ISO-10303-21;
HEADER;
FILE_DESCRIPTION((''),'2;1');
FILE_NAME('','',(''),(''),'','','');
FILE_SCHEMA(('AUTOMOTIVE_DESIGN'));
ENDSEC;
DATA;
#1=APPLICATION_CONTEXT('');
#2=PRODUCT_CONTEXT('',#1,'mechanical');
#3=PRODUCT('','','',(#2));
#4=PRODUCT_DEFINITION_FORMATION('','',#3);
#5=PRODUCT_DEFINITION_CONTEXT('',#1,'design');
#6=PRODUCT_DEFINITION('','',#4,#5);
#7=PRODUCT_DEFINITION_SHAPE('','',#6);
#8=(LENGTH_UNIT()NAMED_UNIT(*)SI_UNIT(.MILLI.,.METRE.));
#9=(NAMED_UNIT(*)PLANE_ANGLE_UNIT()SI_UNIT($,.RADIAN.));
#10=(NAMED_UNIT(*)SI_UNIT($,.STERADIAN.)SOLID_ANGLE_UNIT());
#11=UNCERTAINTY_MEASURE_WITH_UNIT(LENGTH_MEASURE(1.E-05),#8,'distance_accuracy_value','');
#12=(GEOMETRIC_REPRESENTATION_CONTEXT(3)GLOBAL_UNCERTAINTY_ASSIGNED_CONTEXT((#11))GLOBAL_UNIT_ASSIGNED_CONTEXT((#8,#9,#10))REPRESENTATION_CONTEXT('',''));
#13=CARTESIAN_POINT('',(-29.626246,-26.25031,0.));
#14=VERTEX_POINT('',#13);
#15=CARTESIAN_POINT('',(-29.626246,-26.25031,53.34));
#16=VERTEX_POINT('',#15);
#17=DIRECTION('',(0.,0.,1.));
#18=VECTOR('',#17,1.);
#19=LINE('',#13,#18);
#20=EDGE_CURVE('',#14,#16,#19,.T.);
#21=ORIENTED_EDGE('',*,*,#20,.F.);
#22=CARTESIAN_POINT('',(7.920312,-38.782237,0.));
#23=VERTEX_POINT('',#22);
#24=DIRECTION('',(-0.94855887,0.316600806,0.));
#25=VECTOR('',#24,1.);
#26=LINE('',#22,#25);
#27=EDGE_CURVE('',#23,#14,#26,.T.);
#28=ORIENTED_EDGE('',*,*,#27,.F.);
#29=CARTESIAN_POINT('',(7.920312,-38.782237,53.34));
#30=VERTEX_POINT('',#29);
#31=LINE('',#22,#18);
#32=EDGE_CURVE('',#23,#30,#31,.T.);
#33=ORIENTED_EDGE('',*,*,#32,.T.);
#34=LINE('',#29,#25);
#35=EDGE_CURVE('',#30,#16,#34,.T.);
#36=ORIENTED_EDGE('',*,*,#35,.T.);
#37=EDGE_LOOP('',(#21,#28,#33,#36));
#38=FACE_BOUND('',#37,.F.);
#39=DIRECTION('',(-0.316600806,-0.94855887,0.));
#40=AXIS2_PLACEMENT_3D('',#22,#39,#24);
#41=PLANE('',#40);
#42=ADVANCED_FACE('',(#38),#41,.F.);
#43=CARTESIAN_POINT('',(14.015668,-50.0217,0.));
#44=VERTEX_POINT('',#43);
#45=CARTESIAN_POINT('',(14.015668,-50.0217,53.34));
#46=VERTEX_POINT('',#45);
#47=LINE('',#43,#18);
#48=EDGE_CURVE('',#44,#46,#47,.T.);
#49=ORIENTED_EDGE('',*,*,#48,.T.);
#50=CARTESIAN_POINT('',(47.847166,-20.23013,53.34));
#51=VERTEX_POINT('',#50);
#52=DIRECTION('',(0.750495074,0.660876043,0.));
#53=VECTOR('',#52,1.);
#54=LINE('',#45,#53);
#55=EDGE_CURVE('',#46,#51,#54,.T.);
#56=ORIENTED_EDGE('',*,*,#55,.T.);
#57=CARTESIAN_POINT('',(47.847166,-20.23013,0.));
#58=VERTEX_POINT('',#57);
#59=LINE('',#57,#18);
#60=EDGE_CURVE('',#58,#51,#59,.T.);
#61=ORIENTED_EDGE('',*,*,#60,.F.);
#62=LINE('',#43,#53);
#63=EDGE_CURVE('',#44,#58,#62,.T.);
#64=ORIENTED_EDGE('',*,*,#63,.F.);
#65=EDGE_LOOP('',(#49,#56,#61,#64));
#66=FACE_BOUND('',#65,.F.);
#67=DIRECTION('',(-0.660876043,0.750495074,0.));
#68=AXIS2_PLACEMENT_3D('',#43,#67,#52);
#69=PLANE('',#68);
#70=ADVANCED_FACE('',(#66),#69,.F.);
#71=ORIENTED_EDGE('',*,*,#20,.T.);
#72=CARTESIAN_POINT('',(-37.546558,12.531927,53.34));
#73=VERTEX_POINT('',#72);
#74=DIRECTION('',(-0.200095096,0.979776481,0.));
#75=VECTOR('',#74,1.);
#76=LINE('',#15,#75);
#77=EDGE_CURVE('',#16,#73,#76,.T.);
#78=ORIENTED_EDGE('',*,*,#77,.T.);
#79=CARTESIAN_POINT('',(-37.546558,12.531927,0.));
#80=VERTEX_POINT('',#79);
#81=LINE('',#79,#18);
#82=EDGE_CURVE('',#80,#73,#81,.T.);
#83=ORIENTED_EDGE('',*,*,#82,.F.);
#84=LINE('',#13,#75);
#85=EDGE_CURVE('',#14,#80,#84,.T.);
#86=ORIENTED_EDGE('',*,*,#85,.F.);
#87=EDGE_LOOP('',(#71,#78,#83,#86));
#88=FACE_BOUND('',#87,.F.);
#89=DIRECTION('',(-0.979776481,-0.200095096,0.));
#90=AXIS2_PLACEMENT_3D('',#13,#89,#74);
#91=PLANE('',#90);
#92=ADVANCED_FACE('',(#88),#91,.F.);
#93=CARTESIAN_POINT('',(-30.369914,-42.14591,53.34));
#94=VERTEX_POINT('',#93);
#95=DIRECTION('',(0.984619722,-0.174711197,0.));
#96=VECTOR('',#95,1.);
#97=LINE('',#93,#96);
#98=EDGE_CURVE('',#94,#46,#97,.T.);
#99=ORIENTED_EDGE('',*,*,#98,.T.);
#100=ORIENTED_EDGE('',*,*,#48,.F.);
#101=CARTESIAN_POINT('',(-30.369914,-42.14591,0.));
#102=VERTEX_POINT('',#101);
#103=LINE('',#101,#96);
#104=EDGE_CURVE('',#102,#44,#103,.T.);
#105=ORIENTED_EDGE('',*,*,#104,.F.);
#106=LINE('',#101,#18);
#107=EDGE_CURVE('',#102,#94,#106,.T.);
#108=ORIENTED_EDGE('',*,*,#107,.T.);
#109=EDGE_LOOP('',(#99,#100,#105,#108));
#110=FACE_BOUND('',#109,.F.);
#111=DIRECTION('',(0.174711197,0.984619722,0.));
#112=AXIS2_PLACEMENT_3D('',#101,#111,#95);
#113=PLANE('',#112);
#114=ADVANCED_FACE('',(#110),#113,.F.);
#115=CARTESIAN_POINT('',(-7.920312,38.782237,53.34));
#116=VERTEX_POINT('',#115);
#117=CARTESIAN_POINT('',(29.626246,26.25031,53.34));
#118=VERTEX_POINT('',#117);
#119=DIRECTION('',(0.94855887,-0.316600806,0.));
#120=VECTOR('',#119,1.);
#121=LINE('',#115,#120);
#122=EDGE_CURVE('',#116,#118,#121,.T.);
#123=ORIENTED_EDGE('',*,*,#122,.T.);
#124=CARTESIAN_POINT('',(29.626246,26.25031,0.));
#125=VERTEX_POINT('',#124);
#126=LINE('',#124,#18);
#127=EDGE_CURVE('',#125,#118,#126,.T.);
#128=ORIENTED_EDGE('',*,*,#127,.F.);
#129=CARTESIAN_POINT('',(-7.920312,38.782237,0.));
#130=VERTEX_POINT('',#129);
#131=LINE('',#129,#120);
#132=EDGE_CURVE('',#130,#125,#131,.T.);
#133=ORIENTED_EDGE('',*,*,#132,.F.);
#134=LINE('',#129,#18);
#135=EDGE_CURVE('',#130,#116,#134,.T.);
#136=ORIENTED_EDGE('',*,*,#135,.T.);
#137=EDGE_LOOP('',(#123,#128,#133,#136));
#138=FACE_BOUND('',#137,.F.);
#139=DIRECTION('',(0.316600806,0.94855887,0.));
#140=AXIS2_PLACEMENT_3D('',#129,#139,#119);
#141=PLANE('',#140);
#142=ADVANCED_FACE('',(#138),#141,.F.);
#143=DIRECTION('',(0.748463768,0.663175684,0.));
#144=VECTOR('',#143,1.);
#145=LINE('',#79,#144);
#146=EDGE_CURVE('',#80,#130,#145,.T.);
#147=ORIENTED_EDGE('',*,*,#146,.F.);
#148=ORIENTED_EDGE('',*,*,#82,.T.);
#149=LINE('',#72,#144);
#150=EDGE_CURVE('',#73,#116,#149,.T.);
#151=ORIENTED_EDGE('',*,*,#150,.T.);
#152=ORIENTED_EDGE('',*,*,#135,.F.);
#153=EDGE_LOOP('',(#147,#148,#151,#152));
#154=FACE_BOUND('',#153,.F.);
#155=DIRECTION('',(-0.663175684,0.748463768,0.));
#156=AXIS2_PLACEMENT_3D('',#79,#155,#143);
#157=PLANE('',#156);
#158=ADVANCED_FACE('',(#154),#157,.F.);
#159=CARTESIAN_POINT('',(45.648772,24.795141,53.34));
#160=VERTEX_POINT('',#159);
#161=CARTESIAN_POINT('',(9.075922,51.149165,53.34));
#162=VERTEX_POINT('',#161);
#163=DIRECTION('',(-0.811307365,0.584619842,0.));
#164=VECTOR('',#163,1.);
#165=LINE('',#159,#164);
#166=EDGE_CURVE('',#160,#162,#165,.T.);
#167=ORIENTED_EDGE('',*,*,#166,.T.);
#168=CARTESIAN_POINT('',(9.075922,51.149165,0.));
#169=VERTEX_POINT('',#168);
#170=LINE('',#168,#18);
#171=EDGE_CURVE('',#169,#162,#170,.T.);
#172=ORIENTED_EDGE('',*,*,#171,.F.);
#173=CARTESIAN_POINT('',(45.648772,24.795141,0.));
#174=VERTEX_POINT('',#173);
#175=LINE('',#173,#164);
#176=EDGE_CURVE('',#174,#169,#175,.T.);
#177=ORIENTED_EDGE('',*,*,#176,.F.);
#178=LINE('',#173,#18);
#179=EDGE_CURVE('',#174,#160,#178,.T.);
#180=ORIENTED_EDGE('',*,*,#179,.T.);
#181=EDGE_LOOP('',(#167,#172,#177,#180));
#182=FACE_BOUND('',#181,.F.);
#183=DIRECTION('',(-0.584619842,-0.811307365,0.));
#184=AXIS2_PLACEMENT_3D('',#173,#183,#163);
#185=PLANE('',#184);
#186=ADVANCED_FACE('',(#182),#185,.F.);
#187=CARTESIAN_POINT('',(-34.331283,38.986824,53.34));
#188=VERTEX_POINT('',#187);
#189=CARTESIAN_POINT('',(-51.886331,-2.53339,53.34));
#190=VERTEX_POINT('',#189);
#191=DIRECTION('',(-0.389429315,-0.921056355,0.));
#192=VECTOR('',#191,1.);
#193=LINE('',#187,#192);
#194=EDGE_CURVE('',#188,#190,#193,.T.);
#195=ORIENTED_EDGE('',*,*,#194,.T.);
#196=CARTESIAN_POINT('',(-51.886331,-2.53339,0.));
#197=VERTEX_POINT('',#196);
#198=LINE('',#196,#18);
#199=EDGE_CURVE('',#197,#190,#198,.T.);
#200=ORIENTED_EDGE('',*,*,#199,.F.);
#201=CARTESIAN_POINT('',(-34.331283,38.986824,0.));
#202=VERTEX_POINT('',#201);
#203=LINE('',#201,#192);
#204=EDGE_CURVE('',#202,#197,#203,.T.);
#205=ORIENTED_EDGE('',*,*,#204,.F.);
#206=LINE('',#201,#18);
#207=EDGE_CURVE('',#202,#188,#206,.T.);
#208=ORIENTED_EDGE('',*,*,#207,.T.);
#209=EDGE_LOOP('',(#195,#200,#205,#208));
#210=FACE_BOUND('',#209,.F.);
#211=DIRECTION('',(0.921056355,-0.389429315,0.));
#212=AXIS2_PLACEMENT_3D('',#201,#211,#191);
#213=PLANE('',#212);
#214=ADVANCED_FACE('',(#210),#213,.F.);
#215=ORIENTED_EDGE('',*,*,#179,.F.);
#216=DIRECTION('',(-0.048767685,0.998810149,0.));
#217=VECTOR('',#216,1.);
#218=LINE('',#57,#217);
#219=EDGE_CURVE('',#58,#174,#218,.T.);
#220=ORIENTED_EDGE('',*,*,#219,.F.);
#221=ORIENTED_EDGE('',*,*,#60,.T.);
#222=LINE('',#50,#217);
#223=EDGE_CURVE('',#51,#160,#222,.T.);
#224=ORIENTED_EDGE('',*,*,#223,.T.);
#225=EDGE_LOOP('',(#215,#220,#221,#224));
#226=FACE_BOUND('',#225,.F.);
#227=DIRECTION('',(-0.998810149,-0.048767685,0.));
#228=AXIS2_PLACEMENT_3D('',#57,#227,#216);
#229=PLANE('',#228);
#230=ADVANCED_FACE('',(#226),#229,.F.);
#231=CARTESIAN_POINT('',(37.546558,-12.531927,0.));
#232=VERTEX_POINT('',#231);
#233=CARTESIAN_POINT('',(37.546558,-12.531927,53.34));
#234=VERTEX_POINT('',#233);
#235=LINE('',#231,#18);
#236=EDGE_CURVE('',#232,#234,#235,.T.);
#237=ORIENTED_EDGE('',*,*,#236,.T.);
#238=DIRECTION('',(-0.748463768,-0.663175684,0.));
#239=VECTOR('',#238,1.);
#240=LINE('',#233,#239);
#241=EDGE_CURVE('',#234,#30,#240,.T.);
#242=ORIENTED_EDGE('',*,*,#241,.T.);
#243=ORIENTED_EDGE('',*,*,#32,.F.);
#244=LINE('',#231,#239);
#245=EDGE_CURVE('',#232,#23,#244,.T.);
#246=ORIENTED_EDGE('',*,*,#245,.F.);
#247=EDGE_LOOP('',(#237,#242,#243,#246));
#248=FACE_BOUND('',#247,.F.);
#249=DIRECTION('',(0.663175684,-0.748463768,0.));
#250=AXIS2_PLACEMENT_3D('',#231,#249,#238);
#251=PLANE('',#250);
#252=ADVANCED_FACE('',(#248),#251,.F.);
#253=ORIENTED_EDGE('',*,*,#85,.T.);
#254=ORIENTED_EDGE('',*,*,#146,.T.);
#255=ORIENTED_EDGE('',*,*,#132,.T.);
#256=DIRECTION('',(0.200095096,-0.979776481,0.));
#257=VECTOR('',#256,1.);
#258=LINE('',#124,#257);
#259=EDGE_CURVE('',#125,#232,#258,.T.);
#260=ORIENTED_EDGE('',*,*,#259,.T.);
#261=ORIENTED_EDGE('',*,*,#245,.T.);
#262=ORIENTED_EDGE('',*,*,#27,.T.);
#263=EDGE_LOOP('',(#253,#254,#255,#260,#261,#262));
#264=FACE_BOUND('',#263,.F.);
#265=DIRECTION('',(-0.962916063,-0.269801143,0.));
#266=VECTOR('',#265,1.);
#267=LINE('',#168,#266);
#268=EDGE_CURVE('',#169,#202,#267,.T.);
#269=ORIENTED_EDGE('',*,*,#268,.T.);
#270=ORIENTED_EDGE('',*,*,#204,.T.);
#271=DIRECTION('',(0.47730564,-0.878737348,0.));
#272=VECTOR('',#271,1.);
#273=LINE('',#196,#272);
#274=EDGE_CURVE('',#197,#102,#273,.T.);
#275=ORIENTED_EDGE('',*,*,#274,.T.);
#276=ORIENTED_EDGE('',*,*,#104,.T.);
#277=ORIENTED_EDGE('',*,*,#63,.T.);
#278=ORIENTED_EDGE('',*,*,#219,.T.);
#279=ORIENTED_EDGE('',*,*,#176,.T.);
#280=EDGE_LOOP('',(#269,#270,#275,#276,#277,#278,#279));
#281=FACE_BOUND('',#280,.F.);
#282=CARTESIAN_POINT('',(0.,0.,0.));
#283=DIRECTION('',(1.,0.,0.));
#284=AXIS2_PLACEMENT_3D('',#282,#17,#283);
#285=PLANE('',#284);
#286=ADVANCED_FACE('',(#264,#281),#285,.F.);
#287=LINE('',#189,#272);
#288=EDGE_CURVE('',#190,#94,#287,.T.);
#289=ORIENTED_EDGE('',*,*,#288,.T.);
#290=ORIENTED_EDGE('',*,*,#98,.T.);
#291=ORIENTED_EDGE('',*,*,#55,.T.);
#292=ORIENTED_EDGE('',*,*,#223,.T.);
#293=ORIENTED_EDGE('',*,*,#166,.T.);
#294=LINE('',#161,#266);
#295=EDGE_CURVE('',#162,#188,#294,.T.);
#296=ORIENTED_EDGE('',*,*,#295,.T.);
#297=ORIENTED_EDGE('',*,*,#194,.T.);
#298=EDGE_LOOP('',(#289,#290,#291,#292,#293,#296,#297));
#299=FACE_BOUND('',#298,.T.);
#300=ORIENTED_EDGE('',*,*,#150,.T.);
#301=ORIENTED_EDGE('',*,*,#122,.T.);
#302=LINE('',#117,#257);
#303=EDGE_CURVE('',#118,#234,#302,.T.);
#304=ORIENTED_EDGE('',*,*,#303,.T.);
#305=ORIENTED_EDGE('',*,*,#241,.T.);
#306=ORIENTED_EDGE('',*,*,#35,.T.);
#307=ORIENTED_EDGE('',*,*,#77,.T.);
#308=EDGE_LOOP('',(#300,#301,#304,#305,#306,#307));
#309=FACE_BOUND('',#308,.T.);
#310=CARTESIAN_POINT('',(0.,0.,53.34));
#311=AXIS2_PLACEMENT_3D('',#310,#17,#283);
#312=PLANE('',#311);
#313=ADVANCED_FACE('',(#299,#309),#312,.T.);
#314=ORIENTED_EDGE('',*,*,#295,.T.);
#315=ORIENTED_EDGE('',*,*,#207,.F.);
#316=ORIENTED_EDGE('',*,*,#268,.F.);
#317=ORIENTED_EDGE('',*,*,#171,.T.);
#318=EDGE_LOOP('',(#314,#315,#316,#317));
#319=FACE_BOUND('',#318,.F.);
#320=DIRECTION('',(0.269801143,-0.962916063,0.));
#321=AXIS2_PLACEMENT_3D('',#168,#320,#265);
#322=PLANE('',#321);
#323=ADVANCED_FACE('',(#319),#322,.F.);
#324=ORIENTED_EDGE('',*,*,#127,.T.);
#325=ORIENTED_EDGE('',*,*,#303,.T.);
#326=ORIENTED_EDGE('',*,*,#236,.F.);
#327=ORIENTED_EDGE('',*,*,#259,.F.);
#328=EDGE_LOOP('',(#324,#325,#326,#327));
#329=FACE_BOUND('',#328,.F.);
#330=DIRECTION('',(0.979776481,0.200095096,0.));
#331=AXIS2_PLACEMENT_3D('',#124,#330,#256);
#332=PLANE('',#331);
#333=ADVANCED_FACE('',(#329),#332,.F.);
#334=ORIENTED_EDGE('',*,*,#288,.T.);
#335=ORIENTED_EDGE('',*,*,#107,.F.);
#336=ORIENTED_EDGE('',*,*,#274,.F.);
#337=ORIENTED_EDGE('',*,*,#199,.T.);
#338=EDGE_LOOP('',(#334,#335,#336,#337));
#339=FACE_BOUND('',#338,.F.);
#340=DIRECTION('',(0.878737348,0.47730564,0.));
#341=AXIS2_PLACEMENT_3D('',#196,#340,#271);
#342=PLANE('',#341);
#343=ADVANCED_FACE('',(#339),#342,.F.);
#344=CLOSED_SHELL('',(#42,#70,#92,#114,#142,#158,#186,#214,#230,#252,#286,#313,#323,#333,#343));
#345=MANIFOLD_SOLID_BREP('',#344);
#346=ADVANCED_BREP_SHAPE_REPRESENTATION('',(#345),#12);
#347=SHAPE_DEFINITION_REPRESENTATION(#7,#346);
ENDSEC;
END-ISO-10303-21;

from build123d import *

# Parameters (mm, degrees)
F1_DEPTH = 53.34


with BuildPart() as f1:
    # F0 (on Top) → F1 (new body)
    with BuildSketch(Plane.XY):
        Polygon((14.015668, -50.0217), (47.847166, -20.23013), (45.648772, 24.795141), (9.075922, 51.149165), (-34.331283, 38.986824), (-51.886331, -2.53339), (-30.369914, -42.14591), align=None)
        Polygon((29.626246, 26.25031), (37.546558, -12.531927), (7.920312, -38.782237), (-29.626246, -26.25031), (-37.546558, 12.531927), (-7.920312, 38.782237), align=None, mode=Mode.SUBTRACT)
    extrude(amount=F1_DEPTH)


solid = f1.part
